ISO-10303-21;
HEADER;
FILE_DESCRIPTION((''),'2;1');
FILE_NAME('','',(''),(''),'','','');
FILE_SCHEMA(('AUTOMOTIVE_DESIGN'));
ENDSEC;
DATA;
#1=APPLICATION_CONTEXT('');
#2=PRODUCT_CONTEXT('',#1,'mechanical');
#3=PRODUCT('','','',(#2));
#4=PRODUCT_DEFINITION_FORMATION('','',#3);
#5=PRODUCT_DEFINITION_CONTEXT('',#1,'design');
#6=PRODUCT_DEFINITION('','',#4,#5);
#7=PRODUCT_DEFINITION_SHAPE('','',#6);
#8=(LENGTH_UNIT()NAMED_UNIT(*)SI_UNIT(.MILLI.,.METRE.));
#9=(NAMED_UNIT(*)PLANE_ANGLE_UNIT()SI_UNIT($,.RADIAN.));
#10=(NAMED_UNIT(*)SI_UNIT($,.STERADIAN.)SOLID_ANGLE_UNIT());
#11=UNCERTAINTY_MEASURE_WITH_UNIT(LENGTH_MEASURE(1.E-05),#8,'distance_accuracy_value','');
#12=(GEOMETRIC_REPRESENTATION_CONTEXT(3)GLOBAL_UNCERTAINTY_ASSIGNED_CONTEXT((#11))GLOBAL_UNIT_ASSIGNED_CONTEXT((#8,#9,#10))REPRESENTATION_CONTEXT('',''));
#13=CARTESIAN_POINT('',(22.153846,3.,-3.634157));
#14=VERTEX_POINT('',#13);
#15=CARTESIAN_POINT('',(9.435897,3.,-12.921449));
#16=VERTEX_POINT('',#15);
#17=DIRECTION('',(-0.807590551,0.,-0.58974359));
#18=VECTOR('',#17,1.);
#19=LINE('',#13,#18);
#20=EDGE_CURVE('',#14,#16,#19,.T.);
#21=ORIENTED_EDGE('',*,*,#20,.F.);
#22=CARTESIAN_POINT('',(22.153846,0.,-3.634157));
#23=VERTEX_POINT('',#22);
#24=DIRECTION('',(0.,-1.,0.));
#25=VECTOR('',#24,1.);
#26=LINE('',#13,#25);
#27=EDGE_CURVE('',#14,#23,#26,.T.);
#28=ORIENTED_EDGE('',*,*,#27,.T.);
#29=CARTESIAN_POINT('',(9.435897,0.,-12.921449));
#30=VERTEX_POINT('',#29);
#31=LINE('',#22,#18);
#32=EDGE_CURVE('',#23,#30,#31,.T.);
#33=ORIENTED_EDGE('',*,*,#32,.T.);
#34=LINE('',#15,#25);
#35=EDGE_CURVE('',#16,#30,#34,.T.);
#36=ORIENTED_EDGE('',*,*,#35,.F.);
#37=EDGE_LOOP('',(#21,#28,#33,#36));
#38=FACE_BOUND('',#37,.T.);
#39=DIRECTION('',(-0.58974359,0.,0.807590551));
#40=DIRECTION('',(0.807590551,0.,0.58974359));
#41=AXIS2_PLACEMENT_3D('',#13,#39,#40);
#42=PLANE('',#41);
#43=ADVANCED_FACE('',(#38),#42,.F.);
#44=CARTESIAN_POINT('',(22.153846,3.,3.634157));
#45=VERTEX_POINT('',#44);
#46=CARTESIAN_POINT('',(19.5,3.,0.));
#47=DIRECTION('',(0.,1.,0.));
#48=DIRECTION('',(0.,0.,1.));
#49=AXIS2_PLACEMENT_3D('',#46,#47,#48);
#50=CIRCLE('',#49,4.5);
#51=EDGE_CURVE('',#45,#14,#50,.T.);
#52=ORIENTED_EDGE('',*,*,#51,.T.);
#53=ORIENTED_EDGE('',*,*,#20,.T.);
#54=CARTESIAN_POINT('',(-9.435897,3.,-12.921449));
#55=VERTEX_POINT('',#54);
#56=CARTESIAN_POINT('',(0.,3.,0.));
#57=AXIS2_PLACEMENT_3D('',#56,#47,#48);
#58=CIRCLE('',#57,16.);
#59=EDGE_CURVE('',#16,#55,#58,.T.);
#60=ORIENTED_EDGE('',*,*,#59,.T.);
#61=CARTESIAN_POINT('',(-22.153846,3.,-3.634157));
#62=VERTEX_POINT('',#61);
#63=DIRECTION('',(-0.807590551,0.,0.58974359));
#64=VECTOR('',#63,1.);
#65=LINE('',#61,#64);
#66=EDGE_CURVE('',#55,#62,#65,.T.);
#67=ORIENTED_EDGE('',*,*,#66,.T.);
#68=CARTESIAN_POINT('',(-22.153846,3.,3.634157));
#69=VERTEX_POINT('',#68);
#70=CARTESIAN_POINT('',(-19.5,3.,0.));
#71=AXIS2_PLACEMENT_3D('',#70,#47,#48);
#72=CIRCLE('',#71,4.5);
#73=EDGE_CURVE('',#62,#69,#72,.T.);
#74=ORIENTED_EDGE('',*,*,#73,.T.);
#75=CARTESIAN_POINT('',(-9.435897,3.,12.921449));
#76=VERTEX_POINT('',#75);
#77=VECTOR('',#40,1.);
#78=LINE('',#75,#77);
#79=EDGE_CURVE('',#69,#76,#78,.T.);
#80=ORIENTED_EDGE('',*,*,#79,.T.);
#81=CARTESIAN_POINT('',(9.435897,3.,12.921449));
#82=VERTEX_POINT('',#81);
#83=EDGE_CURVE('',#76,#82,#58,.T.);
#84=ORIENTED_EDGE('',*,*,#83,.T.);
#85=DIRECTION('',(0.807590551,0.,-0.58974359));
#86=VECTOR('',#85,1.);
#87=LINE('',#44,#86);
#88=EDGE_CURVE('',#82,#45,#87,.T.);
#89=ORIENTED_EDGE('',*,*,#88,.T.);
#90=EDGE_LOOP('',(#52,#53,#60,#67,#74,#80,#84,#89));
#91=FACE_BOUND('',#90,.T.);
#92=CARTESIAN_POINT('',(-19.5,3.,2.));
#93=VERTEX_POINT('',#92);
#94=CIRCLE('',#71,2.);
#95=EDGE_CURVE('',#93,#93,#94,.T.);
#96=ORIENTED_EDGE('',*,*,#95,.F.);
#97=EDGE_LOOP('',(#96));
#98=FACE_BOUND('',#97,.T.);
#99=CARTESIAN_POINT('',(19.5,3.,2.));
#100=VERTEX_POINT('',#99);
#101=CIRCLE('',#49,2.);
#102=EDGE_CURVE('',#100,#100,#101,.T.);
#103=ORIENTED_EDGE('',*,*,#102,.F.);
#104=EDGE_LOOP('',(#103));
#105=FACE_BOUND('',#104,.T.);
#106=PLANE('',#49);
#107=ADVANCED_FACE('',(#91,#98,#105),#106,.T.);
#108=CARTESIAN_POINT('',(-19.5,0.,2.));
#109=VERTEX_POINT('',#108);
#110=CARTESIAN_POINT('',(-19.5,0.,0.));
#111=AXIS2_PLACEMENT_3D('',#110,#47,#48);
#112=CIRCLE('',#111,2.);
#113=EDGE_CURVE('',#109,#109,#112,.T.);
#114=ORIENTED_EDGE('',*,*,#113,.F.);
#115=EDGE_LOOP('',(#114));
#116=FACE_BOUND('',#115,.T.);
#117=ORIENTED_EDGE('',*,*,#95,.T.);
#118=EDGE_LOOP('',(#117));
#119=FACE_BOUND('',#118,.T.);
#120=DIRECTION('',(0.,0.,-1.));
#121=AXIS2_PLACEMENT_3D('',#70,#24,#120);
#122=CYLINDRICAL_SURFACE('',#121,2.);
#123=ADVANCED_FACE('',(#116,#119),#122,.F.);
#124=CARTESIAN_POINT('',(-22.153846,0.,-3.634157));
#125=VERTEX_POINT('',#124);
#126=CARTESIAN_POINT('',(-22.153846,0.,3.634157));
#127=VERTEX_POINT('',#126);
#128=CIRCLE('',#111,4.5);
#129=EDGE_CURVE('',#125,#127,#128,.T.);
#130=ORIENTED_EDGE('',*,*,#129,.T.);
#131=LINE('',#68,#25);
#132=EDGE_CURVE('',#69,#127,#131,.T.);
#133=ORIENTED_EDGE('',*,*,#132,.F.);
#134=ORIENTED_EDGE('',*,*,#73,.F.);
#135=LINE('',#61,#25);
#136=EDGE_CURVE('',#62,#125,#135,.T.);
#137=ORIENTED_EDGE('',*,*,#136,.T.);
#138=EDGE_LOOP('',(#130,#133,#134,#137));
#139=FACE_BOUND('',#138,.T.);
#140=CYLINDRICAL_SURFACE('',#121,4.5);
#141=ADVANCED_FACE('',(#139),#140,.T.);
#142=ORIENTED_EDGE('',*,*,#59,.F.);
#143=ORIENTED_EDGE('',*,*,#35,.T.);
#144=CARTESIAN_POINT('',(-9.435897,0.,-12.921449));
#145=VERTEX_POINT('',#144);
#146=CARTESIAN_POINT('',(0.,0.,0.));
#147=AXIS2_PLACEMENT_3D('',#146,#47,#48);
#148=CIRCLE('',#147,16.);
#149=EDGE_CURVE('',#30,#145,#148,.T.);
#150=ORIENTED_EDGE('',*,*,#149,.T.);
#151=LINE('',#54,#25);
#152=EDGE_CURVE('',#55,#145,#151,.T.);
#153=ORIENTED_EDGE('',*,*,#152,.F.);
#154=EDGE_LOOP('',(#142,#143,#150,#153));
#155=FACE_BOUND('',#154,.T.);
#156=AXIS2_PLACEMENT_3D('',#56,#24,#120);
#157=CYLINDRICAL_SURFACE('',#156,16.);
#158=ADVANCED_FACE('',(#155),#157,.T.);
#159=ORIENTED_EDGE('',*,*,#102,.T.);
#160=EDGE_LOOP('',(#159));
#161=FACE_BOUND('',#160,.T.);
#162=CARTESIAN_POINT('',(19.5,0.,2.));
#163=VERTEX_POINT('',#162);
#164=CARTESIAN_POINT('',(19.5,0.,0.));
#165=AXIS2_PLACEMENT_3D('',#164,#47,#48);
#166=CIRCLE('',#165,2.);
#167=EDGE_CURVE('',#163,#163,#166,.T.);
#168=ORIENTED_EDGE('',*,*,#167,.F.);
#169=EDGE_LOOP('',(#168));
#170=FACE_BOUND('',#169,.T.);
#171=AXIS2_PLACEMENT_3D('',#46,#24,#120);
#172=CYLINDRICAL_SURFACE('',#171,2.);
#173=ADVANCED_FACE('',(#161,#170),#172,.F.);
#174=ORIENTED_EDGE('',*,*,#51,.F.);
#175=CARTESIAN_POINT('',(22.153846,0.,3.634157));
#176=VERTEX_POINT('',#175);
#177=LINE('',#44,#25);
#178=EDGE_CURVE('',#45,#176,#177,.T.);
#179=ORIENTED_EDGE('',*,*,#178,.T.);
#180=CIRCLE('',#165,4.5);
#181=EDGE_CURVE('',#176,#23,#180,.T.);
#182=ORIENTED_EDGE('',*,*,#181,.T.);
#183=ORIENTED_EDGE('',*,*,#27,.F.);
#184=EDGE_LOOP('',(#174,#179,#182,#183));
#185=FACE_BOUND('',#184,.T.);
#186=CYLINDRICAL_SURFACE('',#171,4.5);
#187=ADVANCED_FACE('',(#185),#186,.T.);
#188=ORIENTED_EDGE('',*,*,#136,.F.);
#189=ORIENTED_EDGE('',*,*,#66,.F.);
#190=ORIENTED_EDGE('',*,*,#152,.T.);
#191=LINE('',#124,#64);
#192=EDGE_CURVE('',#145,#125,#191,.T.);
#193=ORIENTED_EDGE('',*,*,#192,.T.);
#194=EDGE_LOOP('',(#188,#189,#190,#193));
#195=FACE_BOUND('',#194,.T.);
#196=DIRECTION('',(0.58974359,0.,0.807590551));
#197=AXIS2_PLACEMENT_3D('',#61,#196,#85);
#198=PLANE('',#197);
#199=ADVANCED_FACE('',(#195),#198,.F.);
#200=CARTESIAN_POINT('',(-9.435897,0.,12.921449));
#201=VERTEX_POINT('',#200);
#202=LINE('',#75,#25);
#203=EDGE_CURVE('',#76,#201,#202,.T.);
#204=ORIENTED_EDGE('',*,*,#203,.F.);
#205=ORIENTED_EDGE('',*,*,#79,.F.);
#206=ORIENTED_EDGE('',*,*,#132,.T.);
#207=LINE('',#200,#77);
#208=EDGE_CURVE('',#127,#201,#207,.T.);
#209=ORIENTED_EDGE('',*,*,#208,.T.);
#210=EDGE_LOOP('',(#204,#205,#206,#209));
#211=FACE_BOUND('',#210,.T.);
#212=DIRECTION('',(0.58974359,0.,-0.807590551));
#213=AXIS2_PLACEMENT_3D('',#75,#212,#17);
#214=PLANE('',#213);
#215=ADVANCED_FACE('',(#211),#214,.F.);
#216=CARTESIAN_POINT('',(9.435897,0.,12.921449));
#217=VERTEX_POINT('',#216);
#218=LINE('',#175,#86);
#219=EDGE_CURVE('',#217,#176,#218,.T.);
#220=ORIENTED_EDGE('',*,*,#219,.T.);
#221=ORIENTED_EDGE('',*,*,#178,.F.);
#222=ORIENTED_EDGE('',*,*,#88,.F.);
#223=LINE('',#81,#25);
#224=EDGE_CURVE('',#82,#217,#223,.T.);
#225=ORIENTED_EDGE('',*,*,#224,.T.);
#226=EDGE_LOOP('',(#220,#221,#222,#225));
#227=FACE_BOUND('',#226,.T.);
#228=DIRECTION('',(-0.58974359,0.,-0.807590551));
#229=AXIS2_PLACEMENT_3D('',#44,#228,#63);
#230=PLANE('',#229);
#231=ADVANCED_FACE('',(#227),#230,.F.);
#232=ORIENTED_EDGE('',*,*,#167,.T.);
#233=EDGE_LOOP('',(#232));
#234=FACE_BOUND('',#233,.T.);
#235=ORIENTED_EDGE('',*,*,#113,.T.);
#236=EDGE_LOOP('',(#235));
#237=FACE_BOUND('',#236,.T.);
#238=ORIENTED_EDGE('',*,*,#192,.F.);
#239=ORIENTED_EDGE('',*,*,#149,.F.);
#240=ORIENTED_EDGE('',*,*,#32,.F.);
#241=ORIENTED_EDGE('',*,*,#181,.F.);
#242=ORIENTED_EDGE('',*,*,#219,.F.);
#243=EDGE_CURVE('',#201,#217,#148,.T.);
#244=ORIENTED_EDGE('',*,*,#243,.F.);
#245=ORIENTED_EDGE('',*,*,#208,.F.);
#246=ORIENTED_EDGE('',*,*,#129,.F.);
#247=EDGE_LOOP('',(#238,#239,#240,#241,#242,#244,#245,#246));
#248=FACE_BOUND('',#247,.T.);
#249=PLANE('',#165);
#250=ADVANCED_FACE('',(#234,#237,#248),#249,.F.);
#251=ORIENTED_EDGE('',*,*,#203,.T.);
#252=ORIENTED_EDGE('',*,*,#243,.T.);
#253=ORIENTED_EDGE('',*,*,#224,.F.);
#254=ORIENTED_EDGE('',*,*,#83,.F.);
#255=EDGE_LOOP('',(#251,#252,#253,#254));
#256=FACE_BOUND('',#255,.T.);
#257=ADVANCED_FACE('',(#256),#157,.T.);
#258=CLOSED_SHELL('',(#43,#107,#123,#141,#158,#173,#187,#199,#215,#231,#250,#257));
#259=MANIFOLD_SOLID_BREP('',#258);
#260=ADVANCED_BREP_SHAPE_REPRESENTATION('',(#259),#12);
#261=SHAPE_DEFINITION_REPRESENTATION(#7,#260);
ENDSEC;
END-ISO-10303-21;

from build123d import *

# Parameters (mm, degrees)
SKETCH1_R           = 2
BOSS_EXTRUDE1_DEPTH = 3


with BuildPart() as part:
    # Sketch1 → Boss-Extrude1 (new body)
    with BuildSketch(Plane(origin=(0, 0, 0), x_dir=(1, 0, 0), z_dir=(0, 1, 0))):
        with BuildLine():
            Line((22.153846154, -3.63415748), (9.435897436, -12.921448819))
            ThreePointArc((9.435897436, -12.921448819), (0, -16), (-9.435897436, -12.921448819))
            Line((-9.435897436, -12.921448819), (-22.153846154, -3.63415748))
            ThreePointArc((-22.153846154, -3.63415748), (-24, 0), (-22.153846154, 3.63415748))
            Line((-22.153846154, 3.63415748), (-9.435897436, 12.921448819))
            ThreePointArc((-9.435897436, 12.921448819), (0, 16), (9.435897436, 12.921448819))
            Line((9.435897436, 12.921448819), (22.153846154, 3.63415748))
            ThreePointArc((22.153846154, 3.63415748), (24, 0), (22.153846154, -3.63415748))
        make_face()
        with Locations(Location((-19.5, 0, 0), (0, 0, 270))):
            Circle(SKETCH1_R, mode=Mode.SUBTRACT)
        with Locations(Location((19.5, 0, 0), (0, 0, 270))):
            Circle(SKETCH1_R, mode=Mode.SUBTRACT)
    extrude(amount=BOSS_EXTRUDE1_DEPTH)


solid = part.part
